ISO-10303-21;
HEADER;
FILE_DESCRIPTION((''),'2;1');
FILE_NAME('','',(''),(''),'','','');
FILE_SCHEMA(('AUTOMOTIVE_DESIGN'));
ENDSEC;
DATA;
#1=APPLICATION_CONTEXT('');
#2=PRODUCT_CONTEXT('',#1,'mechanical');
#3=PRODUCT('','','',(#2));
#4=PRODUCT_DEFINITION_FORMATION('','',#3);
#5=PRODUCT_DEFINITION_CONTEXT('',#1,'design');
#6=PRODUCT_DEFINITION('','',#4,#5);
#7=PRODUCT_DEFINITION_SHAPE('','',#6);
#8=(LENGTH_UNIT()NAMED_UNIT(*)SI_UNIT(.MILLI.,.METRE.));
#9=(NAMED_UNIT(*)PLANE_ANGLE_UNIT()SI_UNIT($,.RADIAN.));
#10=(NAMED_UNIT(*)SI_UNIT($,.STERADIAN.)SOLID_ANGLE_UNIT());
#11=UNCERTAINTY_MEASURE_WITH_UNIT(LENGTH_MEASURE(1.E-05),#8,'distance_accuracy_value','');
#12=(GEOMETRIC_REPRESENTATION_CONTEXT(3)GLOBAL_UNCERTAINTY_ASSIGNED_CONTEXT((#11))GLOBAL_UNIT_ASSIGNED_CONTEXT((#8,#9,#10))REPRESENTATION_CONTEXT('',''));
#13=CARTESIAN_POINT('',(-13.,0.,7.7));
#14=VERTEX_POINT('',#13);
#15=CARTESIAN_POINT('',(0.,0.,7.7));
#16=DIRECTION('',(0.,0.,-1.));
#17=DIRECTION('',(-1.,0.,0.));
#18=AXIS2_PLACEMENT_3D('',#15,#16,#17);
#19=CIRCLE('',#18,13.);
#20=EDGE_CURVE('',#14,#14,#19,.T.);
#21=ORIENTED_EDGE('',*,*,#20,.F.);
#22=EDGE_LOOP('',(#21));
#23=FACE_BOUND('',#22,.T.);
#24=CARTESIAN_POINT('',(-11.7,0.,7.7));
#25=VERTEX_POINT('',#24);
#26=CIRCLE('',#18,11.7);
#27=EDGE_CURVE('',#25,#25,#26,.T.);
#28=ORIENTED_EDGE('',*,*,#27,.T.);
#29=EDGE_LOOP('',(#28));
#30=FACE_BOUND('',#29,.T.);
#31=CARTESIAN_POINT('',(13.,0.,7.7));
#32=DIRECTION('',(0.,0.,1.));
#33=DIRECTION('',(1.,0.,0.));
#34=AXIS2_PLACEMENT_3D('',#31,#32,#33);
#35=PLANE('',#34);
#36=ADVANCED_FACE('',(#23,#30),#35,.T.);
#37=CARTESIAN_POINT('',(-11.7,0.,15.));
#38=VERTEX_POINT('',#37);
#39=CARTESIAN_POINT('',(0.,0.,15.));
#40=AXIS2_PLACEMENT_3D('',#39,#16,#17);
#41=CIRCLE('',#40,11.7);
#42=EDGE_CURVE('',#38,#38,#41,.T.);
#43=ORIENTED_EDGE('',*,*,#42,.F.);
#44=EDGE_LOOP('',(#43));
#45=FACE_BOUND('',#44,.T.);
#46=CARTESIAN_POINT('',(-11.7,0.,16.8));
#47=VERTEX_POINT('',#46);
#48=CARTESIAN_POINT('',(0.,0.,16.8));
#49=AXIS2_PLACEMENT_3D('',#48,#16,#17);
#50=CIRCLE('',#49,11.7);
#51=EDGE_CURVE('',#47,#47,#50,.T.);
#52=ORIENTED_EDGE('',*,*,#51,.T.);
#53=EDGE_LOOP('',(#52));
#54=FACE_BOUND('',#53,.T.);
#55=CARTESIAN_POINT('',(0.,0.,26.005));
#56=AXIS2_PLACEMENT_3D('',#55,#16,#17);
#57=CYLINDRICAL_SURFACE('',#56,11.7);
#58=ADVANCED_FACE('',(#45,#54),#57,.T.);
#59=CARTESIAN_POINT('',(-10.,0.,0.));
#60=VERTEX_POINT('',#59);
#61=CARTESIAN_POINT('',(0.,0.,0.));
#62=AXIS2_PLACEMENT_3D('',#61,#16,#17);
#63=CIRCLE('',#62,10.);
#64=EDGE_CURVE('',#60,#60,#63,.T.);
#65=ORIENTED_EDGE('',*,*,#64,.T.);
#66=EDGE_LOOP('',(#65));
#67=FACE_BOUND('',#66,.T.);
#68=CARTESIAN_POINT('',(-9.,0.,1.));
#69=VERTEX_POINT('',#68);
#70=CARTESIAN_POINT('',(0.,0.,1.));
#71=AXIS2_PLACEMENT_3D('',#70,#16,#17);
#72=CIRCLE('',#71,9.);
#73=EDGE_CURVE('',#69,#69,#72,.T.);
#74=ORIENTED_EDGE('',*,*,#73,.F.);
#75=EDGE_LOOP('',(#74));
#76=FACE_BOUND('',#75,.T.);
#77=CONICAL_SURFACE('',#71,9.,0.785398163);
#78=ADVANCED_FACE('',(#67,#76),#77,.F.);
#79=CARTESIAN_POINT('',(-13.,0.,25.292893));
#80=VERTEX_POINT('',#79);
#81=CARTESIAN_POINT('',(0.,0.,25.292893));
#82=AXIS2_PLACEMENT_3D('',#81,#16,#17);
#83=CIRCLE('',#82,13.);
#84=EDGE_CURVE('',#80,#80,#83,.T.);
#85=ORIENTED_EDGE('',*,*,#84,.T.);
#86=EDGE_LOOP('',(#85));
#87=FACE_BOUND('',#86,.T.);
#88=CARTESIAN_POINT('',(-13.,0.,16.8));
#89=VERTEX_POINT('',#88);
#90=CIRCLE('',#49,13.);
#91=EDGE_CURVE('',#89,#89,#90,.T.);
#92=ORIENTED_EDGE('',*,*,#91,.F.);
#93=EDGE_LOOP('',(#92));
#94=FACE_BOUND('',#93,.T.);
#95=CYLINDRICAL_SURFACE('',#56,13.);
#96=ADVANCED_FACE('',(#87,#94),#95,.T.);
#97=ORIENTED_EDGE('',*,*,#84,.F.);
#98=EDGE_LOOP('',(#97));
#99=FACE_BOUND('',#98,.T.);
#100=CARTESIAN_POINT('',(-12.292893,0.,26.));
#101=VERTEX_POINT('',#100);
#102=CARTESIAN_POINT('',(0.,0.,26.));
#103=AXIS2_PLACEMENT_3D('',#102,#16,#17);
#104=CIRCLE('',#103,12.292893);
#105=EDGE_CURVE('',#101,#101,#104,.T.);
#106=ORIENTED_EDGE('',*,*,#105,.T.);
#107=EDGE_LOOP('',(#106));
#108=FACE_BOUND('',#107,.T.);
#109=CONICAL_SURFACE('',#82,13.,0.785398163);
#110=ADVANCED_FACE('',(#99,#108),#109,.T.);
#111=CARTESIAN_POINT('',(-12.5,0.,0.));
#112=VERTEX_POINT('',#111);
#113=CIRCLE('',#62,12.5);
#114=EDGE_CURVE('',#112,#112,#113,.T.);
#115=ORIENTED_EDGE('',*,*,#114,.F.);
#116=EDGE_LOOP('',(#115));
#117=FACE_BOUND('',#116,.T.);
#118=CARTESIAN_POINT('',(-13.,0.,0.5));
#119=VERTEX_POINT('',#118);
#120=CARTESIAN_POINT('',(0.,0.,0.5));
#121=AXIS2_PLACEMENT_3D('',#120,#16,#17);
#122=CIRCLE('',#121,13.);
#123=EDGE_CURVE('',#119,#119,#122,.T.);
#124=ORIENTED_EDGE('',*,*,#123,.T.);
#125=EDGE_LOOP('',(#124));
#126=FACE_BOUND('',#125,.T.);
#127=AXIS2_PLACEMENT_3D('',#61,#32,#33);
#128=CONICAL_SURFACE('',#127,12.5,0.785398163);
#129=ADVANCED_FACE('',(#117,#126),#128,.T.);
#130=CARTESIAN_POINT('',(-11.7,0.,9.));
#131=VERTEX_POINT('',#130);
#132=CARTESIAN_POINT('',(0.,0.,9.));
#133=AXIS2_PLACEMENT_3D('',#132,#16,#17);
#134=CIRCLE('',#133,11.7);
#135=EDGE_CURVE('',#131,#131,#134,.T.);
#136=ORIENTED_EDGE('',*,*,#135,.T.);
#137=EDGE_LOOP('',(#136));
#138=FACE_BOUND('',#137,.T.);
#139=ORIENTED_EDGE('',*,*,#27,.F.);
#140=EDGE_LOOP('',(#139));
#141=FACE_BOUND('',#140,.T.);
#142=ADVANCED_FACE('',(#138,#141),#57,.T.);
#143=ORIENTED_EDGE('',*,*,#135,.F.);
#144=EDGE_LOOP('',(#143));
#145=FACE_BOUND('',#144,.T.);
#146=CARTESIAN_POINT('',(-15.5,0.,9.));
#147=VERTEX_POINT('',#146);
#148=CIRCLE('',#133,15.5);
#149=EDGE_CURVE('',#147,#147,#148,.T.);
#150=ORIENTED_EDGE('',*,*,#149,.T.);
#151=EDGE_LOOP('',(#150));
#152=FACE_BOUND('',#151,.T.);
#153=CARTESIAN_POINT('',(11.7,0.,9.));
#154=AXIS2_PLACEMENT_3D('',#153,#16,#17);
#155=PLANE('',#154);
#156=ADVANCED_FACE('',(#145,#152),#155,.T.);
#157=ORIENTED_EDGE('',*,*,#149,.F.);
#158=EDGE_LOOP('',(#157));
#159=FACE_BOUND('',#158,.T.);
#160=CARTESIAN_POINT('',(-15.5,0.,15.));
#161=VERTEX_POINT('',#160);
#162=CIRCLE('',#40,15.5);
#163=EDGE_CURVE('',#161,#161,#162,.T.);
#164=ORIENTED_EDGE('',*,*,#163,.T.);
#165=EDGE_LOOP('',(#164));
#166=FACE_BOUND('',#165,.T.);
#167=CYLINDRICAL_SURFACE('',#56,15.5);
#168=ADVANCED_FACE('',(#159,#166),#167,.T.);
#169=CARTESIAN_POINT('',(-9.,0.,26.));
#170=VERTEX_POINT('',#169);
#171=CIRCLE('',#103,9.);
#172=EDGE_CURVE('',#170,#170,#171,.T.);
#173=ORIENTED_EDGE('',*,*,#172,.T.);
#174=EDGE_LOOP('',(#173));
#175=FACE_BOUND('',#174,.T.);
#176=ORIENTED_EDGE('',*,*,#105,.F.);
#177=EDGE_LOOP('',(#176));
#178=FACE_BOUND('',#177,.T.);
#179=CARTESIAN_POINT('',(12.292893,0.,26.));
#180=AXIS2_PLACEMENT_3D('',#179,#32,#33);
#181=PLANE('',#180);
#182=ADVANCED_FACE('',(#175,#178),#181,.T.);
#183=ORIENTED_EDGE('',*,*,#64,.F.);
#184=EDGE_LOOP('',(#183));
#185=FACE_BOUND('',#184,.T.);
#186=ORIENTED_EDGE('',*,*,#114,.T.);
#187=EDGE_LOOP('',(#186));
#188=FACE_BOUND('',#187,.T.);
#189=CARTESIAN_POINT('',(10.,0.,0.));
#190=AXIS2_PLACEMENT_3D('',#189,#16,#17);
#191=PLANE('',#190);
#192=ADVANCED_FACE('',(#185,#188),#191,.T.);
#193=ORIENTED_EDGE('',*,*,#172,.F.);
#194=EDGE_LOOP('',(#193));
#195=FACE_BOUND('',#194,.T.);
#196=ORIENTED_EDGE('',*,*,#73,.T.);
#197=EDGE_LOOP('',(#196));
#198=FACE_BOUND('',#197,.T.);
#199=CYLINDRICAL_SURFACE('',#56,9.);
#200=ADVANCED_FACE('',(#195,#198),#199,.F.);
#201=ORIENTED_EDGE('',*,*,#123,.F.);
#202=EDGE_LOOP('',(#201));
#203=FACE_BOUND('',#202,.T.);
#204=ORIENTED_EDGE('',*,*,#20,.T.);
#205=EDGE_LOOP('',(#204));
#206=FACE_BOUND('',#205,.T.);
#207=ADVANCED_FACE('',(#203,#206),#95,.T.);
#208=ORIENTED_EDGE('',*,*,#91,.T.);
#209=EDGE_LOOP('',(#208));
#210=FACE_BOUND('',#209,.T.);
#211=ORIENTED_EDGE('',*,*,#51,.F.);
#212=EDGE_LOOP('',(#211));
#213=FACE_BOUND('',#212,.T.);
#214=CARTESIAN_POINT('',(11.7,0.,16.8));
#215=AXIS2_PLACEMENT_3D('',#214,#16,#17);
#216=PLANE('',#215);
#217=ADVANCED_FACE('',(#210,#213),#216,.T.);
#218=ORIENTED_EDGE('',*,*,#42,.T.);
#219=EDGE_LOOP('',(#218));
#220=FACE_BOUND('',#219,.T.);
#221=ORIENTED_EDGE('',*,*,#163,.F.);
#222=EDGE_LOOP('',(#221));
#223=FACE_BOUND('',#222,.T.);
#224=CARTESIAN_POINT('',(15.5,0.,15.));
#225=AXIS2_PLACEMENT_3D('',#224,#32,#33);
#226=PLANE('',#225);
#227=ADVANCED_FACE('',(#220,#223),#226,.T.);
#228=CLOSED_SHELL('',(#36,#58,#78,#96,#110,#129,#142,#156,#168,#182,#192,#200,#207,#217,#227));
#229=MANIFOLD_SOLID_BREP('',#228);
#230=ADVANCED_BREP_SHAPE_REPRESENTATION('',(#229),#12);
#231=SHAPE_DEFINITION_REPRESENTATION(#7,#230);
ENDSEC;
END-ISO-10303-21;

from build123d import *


with BuildPart() as part:
    # Эскиз1 → Повернуть1 (revolve)
    with BuildSketch(Plane.XZ, mode=Mode.PRIVATE) as revolve_1_sk:
        Polygon((11.7, 16.8), (13, 16.8), (13, 25.292893219), (12.292893219, 26), (9, 26), (9, 1), (10, 0), (12.5, 0), (13, 0.5), (13, 7.7), (11.7, 7.7), (11.7, 9), (15.5, 9), (15.5, 15), (11.7, 15), align=None)
    revolve(revolve_1_sk.sketch.rotate(Axis((0, 0, 26.005), (0, 0, -1)), 180), axis=Axis((0, 0, 26.005), (0, 0, -1)))


solid = part.part
